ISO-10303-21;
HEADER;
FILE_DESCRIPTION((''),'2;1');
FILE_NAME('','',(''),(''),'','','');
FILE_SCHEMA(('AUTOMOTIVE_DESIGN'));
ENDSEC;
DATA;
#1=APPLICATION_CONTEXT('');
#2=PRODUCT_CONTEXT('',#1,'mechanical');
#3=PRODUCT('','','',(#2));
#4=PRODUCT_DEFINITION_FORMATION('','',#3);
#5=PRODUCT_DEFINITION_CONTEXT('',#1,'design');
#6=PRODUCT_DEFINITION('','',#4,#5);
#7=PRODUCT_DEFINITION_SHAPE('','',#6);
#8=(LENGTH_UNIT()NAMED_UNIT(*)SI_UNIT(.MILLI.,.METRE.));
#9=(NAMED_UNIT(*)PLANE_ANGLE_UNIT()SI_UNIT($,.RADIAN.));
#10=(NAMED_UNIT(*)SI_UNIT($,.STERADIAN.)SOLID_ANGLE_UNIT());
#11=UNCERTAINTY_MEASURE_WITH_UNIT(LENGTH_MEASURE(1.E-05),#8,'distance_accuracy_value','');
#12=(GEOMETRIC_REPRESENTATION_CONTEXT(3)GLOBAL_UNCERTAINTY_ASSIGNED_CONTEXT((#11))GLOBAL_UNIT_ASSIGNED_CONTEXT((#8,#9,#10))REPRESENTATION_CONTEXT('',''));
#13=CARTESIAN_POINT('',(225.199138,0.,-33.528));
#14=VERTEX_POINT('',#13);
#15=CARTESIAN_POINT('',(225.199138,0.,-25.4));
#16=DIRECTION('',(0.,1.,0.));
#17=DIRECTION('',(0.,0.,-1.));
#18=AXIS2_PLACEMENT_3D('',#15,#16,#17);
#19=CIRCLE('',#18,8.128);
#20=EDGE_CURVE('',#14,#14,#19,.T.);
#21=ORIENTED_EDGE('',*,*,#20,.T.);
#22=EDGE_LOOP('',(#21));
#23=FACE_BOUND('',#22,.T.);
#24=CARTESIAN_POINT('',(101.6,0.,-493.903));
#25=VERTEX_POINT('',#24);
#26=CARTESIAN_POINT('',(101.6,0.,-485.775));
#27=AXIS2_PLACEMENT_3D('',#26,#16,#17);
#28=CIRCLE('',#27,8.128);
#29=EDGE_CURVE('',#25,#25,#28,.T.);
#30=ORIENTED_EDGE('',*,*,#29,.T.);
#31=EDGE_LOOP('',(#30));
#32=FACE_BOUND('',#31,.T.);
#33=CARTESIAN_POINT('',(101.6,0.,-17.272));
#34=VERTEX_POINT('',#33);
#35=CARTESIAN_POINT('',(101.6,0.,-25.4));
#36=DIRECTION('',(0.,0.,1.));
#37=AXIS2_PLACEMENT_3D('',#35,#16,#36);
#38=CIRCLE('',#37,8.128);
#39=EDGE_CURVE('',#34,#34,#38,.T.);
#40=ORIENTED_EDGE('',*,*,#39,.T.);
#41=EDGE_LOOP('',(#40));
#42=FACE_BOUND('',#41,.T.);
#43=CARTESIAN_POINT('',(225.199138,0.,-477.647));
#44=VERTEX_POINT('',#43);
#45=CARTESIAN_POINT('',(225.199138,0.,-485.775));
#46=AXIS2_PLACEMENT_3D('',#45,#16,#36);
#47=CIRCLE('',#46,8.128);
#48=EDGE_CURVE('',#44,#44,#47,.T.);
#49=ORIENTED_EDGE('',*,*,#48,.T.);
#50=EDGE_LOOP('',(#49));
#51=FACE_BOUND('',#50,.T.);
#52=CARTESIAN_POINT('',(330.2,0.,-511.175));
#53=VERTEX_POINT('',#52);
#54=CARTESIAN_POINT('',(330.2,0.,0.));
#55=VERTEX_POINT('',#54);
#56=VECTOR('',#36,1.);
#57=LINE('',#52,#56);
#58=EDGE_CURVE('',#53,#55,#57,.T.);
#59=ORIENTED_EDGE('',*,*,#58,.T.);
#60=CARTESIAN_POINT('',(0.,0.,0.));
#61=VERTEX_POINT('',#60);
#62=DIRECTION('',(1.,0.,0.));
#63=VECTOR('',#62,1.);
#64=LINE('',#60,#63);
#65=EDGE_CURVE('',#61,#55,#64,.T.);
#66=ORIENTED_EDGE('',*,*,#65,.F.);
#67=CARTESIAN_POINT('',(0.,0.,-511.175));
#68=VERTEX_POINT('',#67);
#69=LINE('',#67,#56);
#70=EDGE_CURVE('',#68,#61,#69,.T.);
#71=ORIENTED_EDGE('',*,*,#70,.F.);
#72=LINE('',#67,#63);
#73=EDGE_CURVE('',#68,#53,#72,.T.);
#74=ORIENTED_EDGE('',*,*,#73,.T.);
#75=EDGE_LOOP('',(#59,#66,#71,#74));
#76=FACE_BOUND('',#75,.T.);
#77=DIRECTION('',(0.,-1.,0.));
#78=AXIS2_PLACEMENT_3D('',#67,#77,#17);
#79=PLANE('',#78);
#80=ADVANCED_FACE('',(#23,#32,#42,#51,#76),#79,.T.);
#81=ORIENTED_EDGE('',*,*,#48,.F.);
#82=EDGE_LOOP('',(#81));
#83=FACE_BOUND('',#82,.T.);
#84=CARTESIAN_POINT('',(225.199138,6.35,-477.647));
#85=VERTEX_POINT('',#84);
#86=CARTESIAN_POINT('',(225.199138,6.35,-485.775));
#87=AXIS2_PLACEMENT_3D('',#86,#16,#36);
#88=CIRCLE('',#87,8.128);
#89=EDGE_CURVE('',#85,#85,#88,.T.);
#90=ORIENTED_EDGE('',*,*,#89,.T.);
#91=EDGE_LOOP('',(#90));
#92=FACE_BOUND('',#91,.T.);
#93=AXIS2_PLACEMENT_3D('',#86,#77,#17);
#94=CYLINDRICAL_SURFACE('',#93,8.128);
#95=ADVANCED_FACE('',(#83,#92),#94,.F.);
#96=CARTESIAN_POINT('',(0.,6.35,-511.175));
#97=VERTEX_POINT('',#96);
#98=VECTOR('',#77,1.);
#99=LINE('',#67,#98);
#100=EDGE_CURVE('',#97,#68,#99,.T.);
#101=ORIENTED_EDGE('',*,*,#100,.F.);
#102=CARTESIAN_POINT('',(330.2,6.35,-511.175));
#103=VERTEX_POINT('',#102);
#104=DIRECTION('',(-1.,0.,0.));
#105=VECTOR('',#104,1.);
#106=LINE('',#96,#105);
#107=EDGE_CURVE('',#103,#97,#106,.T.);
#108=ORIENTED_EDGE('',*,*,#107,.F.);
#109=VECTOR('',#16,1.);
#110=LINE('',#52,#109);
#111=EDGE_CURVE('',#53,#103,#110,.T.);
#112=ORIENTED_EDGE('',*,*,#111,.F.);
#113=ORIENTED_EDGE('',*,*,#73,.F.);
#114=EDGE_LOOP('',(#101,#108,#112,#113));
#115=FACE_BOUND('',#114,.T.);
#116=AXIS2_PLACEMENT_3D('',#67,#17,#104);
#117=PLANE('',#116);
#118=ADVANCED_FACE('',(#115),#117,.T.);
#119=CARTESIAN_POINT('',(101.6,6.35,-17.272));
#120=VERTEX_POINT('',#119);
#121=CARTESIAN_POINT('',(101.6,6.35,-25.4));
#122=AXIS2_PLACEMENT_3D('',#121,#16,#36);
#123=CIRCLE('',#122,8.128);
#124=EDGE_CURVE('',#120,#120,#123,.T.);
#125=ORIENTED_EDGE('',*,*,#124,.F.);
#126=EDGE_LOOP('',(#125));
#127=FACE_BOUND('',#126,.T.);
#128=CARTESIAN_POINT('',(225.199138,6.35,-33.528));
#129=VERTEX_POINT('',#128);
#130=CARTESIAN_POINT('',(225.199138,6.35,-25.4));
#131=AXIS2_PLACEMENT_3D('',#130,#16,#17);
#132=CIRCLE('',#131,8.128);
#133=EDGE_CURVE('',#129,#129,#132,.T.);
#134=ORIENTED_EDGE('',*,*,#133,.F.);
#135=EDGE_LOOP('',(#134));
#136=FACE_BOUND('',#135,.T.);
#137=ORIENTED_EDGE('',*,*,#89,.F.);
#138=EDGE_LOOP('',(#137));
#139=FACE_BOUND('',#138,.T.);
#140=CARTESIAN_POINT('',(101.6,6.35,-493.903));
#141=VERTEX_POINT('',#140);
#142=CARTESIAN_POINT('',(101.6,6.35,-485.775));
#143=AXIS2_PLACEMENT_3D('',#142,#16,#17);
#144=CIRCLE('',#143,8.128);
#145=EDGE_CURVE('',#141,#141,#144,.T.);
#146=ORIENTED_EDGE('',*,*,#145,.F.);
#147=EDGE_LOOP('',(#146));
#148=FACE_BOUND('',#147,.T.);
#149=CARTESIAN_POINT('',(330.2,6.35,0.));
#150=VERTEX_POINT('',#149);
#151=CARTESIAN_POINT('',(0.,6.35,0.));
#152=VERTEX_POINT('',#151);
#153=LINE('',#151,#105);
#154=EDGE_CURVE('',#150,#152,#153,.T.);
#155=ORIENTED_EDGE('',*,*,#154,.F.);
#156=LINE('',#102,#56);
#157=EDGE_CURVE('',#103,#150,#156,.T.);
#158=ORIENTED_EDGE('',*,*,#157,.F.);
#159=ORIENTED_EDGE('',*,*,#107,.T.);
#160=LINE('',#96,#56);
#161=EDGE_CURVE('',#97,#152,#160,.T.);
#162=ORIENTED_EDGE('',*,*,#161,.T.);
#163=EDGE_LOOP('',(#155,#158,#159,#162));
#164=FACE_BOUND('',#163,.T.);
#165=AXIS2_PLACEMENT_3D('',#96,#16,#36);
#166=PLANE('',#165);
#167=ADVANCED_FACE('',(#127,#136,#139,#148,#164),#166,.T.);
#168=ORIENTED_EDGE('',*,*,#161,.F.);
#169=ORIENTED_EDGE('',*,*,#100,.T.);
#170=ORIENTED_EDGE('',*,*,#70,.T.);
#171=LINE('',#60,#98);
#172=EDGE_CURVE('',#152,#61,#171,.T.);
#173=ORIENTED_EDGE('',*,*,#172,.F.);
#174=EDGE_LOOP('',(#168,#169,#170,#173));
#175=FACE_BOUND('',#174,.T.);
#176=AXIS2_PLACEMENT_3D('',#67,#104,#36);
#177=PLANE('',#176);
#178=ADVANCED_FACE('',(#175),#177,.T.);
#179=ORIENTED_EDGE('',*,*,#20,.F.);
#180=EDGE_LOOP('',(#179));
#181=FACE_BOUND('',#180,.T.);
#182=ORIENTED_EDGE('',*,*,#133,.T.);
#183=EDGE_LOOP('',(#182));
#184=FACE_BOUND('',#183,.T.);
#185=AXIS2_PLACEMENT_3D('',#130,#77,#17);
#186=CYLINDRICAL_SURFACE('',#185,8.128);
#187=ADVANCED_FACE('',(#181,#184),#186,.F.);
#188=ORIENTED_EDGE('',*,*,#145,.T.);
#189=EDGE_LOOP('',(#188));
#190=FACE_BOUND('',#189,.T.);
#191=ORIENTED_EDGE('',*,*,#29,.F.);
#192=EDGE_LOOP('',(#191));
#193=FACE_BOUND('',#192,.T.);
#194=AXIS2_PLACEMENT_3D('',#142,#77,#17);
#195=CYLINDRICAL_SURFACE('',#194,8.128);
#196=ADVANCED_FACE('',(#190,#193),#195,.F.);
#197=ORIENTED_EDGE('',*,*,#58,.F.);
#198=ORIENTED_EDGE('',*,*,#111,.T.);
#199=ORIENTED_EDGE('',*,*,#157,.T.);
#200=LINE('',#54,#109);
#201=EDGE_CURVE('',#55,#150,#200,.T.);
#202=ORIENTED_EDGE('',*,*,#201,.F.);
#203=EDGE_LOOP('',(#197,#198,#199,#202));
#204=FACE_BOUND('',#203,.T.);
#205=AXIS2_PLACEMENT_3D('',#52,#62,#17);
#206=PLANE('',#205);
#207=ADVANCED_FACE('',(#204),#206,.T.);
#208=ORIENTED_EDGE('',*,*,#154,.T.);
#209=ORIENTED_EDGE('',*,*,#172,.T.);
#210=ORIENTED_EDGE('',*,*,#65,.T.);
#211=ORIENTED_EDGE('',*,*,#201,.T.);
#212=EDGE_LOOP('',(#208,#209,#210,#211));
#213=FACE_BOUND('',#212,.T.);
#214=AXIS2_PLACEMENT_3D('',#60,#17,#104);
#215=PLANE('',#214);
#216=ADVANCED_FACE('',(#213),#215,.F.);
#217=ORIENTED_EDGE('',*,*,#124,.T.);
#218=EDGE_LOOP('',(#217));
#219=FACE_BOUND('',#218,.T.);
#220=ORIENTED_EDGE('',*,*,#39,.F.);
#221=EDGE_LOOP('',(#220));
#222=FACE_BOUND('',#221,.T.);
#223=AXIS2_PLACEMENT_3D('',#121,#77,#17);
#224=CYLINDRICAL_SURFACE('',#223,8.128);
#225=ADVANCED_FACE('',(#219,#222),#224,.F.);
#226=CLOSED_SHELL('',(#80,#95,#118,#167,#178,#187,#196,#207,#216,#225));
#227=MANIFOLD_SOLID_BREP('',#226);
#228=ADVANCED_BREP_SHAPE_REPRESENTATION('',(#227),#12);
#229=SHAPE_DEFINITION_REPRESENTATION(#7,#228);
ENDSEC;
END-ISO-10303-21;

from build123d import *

# Parameters (mm, degrees)
SKETCH3_W           = 330.2
SKETCH3_H           = 6.35
BOSS_EXTRUDE1_DEPTH = 511.175
SKETCH4_R           = 8.128
CUT_EXTRUDE1_DEPTH  = 7.35


with BuildPart() as part:
    # Sketch3 → Boss-Extrude1 (new body)
    with BuildSketch(Plane.XY):
        with Locations((165.1, 3.175)):
            Rectangle(SKETCH3_W, SKETCH3_H)
    extrude(amount=-BOSS_EXTRUDE1_DEPTH)

    # Sketch4 → Cut-Extrude1 (cut, through all)
    with BuildSketch(Plane(origin=(0, 0, 0), x_dir=(1, 0, 0), z_dir=(0, 1, 0))):
        with Locations((101.6, 25.4)):
            Circle(SKETCH4_R)
        with Locations((225.199138423, 25.4)):
            Circle(SKETCH4_R)
        with Locations((225.199138423, 485.775)):
            Circle(SKETCH4_R)
        with Locations((101.6, 485.775)):
            Circle(SKETCH4_R)
    extrude(amount=CUT_EXTRUDE1_DEPTH, mode=Mode.SUBTRACT)


solid = part.part
